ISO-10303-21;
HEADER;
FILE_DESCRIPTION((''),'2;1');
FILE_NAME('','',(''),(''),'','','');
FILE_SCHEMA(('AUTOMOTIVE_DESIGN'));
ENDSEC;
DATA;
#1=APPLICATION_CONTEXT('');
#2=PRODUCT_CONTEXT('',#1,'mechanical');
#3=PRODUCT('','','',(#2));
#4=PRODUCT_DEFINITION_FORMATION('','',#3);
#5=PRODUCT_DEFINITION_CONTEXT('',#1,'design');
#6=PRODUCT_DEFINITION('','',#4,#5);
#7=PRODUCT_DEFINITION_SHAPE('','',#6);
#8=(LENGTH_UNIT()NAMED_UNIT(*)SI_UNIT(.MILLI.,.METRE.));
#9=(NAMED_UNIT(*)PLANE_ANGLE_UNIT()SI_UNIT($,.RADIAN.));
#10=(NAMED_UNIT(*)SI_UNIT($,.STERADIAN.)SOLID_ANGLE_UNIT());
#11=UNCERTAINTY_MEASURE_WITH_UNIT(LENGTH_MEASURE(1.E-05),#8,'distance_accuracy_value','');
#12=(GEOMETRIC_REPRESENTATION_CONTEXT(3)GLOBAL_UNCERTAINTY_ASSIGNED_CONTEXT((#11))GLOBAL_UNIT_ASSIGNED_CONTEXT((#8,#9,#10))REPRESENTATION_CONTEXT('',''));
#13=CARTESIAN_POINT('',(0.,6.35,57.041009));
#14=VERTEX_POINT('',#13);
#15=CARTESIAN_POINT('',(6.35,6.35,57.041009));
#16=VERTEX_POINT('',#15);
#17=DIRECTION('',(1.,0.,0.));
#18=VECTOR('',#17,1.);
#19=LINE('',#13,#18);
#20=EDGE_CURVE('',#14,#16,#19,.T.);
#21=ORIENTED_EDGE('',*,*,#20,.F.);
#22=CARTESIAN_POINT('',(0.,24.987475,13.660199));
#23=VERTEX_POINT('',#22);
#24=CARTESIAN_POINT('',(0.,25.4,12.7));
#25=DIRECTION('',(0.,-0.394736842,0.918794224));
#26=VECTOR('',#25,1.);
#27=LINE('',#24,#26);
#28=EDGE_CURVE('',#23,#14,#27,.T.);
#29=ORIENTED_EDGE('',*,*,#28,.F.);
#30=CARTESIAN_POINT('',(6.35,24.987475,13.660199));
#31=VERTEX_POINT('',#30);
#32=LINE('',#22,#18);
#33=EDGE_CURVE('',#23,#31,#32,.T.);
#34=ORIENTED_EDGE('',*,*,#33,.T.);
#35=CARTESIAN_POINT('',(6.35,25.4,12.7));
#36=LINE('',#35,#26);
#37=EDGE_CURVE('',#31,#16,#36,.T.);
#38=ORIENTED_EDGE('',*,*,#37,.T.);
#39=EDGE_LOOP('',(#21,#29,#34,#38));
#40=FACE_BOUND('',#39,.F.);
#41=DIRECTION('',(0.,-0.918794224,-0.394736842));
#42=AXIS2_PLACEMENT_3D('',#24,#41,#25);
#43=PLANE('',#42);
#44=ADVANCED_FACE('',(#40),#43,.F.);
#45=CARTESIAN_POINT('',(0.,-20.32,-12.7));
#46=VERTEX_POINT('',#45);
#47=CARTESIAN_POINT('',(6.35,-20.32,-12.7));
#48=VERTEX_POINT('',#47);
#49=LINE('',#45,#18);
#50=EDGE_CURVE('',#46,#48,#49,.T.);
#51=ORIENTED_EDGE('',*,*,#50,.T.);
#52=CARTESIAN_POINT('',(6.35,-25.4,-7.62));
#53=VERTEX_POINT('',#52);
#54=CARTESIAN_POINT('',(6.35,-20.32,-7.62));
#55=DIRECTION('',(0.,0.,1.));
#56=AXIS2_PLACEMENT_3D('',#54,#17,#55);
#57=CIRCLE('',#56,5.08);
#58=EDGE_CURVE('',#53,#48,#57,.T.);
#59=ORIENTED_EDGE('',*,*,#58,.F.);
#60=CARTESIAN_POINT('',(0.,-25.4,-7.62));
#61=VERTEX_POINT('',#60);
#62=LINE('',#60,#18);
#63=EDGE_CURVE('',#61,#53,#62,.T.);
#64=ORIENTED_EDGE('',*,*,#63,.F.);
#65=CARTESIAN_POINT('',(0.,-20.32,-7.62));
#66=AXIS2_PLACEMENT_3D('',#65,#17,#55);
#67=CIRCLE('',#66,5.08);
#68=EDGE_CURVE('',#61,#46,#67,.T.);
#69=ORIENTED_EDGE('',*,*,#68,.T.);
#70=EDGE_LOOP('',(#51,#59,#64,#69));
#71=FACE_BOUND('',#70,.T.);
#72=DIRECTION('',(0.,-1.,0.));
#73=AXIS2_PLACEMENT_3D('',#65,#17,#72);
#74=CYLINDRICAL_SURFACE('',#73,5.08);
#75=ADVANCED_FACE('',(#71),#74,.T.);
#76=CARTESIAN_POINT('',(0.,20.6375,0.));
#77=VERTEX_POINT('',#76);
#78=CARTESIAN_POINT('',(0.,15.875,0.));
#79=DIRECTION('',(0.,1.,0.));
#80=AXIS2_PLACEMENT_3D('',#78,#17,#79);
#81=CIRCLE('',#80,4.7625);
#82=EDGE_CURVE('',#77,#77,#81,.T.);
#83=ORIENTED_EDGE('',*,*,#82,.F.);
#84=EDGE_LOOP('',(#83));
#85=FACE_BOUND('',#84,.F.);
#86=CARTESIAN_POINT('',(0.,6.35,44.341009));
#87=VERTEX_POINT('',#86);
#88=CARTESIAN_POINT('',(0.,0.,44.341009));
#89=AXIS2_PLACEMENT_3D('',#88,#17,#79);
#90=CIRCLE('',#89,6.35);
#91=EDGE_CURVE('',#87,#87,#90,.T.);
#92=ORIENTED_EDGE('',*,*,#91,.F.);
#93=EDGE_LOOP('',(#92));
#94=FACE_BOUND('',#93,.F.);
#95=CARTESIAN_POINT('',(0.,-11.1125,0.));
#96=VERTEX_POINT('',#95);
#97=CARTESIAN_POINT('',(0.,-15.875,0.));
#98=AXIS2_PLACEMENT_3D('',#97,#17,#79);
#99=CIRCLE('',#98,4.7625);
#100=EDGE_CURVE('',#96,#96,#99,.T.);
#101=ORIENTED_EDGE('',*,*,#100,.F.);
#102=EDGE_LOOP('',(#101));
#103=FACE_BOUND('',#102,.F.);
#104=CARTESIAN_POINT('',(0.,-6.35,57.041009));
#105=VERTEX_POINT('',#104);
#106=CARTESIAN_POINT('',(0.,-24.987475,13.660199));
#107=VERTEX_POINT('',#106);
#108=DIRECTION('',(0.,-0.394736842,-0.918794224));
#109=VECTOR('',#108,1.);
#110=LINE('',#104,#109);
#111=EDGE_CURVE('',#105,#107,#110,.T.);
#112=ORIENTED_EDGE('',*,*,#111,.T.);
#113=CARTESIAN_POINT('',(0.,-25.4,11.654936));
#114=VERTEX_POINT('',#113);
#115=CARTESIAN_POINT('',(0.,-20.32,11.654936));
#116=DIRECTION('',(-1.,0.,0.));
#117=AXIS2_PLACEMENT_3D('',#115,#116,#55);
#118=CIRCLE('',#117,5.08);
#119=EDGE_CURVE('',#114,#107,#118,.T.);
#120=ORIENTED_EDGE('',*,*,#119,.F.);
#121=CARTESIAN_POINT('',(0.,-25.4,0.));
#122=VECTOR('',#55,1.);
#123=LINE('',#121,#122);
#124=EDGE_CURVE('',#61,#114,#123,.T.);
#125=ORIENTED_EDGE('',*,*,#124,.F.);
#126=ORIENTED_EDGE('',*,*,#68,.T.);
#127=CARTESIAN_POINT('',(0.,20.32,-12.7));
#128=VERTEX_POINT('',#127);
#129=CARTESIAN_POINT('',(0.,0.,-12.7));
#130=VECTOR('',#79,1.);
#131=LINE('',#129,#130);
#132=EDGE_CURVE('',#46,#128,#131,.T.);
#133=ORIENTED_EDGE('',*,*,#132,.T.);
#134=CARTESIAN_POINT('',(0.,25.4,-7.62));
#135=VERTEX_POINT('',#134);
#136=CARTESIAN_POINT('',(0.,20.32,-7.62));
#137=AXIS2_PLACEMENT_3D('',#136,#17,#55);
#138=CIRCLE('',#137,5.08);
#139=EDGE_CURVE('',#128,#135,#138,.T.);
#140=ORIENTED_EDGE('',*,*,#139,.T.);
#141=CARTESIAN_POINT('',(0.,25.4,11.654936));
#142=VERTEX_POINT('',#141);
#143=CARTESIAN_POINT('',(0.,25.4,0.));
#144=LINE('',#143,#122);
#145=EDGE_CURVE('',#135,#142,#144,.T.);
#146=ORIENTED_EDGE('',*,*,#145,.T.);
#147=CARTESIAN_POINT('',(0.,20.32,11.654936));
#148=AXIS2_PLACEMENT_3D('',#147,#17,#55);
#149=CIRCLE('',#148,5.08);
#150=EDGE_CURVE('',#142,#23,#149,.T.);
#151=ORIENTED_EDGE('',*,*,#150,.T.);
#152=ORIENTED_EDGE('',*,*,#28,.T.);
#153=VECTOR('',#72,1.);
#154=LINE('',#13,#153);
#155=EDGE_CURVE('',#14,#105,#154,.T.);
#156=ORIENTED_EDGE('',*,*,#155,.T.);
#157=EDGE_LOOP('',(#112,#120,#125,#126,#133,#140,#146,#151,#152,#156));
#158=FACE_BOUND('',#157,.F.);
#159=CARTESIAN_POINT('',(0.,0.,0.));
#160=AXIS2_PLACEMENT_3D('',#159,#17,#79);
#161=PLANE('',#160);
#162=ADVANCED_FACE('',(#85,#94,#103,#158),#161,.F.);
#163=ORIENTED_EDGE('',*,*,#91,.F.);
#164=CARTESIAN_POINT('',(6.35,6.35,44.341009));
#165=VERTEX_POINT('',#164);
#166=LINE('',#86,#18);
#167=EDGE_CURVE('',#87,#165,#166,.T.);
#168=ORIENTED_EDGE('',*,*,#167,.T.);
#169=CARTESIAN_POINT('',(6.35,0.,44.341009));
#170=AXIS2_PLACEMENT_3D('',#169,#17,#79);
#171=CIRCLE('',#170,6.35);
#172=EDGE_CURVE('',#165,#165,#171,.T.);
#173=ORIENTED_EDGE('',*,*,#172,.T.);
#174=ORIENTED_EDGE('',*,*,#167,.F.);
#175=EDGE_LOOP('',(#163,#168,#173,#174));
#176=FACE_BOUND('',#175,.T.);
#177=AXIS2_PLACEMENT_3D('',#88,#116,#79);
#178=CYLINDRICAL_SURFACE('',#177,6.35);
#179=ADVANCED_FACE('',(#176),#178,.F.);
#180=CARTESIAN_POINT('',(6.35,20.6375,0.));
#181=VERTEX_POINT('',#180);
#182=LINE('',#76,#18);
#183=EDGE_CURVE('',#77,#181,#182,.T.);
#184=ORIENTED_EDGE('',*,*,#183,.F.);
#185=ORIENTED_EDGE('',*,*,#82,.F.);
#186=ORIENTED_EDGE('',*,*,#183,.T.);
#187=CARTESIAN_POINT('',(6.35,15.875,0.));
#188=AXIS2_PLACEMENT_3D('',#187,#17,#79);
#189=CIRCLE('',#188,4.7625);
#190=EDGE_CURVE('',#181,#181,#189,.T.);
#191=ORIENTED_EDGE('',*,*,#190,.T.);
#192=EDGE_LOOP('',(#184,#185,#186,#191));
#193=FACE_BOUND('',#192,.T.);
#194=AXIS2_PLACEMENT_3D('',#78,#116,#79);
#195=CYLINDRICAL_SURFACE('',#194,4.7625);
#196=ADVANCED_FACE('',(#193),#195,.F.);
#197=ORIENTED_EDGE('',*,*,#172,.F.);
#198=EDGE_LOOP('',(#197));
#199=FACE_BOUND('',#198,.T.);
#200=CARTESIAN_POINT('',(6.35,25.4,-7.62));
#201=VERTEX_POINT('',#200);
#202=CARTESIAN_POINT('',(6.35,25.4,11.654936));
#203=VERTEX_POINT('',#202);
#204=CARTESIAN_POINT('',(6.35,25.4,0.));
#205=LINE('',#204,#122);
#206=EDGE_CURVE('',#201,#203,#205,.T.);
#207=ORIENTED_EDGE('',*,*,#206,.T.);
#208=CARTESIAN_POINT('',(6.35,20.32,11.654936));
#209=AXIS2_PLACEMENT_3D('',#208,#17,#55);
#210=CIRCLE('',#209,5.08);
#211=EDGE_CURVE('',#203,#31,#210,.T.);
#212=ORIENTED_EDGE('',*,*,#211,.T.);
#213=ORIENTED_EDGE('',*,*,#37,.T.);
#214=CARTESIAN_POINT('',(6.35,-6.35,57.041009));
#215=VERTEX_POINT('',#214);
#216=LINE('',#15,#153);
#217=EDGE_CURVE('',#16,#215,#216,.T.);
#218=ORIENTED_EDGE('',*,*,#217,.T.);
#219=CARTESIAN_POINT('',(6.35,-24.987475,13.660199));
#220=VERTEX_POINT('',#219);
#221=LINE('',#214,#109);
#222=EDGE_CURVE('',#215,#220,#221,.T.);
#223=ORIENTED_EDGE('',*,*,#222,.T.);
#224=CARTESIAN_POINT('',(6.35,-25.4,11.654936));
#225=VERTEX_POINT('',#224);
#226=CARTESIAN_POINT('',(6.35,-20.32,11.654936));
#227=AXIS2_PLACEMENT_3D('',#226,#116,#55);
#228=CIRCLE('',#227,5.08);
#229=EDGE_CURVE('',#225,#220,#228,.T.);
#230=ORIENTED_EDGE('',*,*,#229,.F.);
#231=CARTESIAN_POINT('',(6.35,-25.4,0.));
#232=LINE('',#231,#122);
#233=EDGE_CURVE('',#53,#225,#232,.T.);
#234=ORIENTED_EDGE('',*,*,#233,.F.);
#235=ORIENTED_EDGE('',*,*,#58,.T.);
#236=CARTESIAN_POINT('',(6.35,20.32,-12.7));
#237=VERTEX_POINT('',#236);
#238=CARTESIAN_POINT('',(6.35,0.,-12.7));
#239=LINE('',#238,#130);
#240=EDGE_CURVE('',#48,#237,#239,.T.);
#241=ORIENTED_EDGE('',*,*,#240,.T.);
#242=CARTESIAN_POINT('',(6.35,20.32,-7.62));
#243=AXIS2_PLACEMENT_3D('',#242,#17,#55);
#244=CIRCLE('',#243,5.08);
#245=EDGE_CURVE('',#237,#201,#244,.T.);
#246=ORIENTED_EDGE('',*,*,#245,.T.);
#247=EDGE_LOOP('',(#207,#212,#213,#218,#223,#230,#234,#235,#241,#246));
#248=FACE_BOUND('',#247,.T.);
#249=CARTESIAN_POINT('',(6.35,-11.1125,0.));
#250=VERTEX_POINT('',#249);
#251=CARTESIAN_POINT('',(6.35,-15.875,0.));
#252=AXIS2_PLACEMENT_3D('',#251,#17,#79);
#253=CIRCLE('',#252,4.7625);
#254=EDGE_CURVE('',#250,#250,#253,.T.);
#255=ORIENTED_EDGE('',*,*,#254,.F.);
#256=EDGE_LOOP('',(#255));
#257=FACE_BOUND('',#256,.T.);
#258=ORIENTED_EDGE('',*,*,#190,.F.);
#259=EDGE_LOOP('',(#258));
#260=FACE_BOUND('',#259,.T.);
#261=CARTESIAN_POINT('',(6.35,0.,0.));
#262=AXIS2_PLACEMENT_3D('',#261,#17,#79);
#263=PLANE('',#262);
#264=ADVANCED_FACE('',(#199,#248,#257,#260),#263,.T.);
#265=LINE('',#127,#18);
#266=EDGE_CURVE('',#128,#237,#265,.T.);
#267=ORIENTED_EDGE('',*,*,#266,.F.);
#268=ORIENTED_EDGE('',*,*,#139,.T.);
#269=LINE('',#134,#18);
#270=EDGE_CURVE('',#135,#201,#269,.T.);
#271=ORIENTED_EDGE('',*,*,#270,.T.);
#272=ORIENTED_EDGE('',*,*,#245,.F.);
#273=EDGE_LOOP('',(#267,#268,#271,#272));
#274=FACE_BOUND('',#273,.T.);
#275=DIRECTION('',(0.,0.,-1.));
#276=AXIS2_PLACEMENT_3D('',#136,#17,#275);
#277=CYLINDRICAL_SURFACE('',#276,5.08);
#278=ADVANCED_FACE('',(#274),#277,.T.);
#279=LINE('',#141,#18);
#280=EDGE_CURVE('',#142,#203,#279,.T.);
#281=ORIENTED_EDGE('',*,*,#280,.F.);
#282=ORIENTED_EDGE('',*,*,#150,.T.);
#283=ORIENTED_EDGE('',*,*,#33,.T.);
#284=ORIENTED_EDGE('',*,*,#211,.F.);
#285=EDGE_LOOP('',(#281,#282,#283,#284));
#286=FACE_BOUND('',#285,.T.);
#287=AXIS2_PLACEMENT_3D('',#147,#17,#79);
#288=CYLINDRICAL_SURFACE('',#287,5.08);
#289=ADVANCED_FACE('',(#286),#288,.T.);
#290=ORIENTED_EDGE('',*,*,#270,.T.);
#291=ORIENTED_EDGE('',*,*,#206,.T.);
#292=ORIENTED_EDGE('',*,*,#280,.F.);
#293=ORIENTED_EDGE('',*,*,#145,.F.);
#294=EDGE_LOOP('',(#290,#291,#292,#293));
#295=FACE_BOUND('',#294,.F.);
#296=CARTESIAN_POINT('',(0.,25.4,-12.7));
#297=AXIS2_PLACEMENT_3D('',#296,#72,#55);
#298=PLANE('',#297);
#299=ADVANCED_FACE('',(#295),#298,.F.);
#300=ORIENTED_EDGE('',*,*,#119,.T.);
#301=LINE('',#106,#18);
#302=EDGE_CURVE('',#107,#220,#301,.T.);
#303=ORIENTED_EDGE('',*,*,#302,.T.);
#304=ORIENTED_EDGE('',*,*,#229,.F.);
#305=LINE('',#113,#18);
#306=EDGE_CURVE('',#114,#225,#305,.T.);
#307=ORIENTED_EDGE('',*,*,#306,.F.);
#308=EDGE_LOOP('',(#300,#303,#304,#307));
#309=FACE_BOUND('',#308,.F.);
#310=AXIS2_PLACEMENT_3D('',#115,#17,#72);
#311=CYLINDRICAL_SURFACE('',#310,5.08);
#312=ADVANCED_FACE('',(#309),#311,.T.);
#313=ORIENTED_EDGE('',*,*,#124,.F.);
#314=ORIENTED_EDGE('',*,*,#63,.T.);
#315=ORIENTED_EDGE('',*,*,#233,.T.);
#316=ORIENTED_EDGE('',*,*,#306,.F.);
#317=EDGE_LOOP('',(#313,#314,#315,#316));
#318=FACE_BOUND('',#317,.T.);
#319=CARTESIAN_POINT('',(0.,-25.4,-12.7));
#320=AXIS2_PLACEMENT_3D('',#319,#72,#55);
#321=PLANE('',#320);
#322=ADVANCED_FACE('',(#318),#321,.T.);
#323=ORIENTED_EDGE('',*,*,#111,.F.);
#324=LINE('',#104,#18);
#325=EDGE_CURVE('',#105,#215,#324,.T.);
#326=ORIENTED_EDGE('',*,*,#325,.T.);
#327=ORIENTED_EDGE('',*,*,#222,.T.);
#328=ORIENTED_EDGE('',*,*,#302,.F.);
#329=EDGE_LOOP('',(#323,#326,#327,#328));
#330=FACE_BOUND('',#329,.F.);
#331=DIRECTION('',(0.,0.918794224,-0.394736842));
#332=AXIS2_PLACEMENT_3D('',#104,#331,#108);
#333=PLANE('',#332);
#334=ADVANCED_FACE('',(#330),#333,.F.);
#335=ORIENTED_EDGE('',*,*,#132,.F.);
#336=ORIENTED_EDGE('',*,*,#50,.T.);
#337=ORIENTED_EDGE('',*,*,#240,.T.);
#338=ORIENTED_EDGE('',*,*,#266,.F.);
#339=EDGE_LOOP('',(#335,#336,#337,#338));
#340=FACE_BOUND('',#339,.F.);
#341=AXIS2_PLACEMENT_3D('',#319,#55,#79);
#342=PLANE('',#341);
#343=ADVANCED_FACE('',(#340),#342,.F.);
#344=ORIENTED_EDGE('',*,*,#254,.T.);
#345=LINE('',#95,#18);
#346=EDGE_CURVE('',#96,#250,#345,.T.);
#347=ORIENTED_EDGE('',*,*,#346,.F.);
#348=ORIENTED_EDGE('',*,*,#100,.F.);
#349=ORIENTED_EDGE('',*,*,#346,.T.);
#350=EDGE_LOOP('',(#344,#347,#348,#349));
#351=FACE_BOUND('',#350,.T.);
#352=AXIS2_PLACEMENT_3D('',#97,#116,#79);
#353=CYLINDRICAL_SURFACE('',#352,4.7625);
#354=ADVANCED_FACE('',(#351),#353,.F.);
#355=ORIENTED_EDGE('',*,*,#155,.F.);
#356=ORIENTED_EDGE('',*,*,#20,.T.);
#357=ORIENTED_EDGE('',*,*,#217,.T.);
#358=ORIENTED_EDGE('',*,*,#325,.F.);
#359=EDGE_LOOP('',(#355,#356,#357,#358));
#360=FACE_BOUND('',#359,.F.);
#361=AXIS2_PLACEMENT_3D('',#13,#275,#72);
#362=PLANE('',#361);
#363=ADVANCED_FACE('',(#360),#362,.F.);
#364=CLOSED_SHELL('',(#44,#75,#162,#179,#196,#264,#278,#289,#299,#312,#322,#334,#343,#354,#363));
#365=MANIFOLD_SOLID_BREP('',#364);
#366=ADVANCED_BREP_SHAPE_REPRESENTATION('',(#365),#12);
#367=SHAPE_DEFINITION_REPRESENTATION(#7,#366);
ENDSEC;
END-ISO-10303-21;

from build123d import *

# Parameters (mm, degrees)
F0_W     = 50.8
F0_H     = 25.4
F0_R     = 4.7625
F0_R_2   = 6.35
F1_DEPTH = 6.35
F2_R     = 5.08


with BuildPart() as f1:
    # F0 (on Right) → F1 (new body)
    with BuildSketch(Plane.YZ):
        Rectangle(F0_W, F0_H)
        with Locations((-15.875, 0)):
            Circle(F0_R, mode=Mode.SUBTRACT)
        with Locations((15.875, 0)):
            Circle(F0_R, mode=Mode.SUBTRACT)
        Polygon((-25.4, 12.7), (25.4, 12.7), (6.35, 57.0410092352), (-6.35, 57.0410092352), align=None)
        with Locations((0, 44.3410092352)):
            Circle(F0_R_2, mode=Mode.SUBTRACT)
    extrude(amount=F1_DEPTH)

    # F2
    f2_edges = [f1.edges().sort_by_distance(p)[0] for p in [
        (3.175, -25.4, -12.7),
        (3.175, 25.4, -12.7),
        (3.175, 25.4, 12.7),
        (3.175, -25.4, 12.7),
    ]]
    fillet(f2_edges, radius=F2_R)


solid = f1.part
